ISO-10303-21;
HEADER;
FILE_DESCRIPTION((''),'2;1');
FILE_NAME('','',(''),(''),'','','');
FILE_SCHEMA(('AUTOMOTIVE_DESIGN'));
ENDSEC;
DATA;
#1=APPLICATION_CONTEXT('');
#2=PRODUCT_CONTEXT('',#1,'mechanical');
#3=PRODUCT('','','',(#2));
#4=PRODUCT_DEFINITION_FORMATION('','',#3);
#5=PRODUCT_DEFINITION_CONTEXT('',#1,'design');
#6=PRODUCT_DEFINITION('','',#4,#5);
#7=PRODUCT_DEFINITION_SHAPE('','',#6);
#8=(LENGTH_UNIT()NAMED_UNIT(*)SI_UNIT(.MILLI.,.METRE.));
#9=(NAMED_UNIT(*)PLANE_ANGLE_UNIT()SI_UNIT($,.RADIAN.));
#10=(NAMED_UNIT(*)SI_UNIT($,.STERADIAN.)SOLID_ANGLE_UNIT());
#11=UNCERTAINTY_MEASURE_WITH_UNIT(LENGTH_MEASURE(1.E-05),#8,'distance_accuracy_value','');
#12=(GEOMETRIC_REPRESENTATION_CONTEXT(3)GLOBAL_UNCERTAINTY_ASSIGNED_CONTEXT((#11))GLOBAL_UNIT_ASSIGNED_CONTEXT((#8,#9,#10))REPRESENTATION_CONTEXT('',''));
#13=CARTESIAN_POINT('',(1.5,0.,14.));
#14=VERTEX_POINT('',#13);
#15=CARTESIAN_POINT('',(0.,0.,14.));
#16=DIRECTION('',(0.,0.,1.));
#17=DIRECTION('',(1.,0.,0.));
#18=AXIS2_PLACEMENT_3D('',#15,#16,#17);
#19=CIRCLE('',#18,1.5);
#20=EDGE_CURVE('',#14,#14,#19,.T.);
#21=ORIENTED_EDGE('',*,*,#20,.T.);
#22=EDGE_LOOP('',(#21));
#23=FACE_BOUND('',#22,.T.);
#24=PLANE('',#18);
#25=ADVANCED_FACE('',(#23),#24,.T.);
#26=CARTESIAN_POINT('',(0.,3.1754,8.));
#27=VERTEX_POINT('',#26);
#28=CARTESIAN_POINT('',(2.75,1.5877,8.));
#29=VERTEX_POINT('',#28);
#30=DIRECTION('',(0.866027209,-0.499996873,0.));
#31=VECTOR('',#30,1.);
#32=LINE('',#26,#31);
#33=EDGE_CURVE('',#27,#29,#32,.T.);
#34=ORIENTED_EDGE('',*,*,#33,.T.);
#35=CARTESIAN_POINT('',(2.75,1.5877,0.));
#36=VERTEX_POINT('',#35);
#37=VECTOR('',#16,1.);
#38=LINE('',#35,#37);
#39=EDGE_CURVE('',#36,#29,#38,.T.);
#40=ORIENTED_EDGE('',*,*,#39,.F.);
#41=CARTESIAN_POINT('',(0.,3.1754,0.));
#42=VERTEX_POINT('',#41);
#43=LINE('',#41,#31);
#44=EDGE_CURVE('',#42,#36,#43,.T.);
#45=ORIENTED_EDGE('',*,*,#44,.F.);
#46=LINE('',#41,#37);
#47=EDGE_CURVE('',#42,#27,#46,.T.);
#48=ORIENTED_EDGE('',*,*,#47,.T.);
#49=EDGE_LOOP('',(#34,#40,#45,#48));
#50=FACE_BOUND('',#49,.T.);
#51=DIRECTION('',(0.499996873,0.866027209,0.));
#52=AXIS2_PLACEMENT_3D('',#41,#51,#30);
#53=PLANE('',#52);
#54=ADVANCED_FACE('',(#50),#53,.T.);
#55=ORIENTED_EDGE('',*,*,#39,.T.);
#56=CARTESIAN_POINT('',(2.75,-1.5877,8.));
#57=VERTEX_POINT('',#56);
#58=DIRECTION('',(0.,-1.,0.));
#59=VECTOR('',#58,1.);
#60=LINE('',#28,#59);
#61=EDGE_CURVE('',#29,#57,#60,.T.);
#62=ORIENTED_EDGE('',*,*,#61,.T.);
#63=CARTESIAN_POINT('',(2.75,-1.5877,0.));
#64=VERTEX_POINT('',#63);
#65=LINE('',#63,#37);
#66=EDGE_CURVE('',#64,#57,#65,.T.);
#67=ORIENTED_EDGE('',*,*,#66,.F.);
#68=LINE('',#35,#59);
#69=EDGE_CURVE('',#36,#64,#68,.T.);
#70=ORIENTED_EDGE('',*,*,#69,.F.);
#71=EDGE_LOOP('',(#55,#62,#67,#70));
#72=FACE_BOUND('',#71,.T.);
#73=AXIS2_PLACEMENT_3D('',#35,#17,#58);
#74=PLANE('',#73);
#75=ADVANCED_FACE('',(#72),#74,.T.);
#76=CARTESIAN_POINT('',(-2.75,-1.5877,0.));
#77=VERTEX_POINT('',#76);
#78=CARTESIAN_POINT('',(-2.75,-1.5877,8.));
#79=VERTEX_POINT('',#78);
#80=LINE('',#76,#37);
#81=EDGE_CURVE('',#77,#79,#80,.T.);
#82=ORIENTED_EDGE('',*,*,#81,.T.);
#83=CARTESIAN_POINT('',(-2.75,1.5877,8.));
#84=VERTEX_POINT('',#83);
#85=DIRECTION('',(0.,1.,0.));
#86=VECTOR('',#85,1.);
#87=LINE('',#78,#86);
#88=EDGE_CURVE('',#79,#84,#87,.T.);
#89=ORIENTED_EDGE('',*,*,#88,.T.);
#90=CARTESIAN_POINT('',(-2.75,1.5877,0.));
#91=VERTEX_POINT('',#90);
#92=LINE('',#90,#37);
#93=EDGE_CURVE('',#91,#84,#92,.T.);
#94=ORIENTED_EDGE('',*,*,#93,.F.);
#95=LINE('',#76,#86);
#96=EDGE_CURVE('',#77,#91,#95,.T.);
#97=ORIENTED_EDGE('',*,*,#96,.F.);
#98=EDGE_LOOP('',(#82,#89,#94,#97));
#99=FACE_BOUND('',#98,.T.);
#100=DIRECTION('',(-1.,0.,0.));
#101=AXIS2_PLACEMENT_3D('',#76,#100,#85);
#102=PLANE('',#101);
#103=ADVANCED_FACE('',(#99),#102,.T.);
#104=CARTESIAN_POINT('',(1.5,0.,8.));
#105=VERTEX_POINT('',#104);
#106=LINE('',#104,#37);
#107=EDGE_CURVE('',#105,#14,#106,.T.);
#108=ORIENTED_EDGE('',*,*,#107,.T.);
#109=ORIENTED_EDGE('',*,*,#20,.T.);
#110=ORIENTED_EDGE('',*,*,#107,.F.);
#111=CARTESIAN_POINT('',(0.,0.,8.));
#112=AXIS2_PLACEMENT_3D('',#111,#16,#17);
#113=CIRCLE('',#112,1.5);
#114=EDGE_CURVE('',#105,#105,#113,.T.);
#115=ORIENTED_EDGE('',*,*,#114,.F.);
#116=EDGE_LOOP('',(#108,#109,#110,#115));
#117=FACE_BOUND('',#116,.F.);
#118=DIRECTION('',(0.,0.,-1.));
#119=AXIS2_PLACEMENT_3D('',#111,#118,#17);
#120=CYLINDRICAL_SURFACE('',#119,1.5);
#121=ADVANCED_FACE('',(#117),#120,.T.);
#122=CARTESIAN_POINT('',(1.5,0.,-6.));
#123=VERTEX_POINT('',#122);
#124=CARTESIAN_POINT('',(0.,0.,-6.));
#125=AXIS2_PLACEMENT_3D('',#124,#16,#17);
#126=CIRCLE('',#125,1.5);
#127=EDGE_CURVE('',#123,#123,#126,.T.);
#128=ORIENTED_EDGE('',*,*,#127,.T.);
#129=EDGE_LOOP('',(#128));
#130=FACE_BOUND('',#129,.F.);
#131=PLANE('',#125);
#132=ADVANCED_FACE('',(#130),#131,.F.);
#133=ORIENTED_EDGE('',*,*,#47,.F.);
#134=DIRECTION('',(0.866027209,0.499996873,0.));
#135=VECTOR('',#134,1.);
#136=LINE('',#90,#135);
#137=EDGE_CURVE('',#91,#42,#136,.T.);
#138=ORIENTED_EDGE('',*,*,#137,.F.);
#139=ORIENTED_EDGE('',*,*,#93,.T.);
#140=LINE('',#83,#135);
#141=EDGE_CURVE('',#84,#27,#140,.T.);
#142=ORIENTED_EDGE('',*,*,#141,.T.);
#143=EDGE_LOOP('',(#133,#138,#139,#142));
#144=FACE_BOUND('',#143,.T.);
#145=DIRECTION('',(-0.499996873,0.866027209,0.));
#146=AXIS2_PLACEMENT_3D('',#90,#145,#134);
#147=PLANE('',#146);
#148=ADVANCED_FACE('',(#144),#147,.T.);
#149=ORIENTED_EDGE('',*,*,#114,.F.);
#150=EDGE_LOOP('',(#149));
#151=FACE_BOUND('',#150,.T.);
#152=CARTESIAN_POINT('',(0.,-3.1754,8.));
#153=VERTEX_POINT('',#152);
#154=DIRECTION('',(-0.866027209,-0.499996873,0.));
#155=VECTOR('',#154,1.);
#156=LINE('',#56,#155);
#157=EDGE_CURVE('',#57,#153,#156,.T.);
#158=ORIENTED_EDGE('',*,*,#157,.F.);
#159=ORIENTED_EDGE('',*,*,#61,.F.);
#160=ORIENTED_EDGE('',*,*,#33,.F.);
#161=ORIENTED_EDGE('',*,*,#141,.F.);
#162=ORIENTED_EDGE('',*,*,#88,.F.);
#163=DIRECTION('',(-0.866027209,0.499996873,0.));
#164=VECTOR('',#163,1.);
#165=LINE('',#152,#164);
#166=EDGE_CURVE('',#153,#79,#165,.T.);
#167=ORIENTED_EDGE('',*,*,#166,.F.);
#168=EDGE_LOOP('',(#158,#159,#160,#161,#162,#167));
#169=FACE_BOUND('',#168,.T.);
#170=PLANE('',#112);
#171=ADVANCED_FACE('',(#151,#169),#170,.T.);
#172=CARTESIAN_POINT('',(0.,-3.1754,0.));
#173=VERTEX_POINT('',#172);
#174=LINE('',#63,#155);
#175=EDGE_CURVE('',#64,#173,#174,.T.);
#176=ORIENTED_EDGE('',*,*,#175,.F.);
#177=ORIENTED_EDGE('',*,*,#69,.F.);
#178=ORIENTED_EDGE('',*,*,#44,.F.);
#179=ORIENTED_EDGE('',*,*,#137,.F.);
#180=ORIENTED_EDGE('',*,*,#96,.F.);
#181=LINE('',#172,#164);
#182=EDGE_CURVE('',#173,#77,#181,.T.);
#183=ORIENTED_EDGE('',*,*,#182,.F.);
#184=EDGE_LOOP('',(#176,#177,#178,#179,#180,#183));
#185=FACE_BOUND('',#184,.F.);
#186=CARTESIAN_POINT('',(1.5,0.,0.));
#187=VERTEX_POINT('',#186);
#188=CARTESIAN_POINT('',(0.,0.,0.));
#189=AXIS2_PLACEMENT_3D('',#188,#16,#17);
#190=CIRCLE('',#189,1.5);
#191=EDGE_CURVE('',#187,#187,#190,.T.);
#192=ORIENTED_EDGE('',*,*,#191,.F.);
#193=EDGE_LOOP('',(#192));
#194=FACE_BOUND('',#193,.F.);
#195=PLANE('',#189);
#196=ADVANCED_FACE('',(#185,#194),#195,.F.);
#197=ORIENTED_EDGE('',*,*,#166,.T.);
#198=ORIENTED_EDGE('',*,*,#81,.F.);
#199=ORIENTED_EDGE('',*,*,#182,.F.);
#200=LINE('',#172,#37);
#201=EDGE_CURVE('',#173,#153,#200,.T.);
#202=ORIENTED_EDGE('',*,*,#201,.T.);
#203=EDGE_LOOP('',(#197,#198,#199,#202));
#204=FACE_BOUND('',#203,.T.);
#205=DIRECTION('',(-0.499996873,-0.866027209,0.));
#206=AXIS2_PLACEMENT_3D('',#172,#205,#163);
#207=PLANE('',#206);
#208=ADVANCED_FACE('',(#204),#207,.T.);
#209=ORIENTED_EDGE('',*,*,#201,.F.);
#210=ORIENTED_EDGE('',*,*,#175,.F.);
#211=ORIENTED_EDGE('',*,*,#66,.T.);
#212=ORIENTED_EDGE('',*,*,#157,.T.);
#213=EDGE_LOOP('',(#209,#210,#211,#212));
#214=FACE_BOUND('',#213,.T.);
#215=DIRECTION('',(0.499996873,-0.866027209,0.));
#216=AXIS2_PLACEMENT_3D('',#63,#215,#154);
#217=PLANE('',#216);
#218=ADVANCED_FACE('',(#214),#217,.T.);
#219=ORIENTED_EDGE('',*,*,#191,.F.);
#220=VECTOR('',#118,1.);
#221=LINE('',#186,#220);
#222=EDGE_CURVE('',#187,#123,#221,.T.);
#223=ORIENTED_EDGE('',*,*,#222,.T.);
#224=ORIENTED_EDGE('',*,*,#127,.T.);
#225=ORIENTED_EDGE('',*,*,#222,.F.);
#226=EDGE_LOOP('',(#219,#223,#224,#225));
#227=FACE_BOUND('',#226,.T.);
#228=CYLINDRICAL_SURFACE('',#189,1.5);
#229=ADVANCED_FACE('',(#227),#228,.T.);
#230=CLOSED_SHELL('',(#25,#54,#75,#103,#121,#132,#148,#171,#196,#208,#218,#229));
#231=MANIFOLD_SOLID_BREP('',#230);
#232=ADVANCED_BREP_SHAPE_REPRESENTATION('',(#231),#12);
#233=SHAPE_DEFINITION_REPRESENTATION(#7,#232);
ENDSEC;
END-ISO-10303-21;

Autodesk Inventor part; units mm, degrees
ref_plane "YZ Plane" through (0, 0, 0) normal (1, 0, 0) x (0, 1, 0)
ref_plane "XZ Plane" through (0, 0, 0) normal (0, 1, 0) x (-1, 0, 0)
ref_plane "XY Plane" through (0, 0, 0) normal (0, 0, 1) x (1, 0, 0)
sketch "スケッチ1" plane through (0, 0, 0) normal (0, 0, 1) x (1, 0, 0)
  line L0 (-2.75, 1.5877) -> (0, 3.1754)
  line L1 (0, 3.1754) -> (2.75, 1.5877)
  line L2 (2.75, 1.5877) -> (2.75, -1.5877)
  line L3 (2.75, -1.5877) -> (0, -3.1754)
  line L4 (0, -3.1754) -> (-2.75, -1.5877)
  line L5 (-2.75, -1.5877) -> (-2.75, 1.5877)
  circle A0 centre (0, 0) radius 1.5
  dimension "d0" = 5.5
  dimension "d1" = 3
extrude "押し出し1" add sketch "スケッチ1" along normal blind 8 contours L0 L1 L2 L3 L4 L5 | A0
sketch "スケッチ2" plane through (0, 0, 8) normal (0, 0, 1) x (1, 0, 0)
  circle A0 centre (0, 0) radius 1.5
  dimension "d4" = 3
extrude "押し出し2" add sketch "スケッチ2" along normal blind 6
extrude "押し出し3" add sketch "スケッチ1" against normal blind 6 contours A0
properties part number "スペーサー　両雄ねじ　m3-8" material "アルミニウム 2014-T4"
